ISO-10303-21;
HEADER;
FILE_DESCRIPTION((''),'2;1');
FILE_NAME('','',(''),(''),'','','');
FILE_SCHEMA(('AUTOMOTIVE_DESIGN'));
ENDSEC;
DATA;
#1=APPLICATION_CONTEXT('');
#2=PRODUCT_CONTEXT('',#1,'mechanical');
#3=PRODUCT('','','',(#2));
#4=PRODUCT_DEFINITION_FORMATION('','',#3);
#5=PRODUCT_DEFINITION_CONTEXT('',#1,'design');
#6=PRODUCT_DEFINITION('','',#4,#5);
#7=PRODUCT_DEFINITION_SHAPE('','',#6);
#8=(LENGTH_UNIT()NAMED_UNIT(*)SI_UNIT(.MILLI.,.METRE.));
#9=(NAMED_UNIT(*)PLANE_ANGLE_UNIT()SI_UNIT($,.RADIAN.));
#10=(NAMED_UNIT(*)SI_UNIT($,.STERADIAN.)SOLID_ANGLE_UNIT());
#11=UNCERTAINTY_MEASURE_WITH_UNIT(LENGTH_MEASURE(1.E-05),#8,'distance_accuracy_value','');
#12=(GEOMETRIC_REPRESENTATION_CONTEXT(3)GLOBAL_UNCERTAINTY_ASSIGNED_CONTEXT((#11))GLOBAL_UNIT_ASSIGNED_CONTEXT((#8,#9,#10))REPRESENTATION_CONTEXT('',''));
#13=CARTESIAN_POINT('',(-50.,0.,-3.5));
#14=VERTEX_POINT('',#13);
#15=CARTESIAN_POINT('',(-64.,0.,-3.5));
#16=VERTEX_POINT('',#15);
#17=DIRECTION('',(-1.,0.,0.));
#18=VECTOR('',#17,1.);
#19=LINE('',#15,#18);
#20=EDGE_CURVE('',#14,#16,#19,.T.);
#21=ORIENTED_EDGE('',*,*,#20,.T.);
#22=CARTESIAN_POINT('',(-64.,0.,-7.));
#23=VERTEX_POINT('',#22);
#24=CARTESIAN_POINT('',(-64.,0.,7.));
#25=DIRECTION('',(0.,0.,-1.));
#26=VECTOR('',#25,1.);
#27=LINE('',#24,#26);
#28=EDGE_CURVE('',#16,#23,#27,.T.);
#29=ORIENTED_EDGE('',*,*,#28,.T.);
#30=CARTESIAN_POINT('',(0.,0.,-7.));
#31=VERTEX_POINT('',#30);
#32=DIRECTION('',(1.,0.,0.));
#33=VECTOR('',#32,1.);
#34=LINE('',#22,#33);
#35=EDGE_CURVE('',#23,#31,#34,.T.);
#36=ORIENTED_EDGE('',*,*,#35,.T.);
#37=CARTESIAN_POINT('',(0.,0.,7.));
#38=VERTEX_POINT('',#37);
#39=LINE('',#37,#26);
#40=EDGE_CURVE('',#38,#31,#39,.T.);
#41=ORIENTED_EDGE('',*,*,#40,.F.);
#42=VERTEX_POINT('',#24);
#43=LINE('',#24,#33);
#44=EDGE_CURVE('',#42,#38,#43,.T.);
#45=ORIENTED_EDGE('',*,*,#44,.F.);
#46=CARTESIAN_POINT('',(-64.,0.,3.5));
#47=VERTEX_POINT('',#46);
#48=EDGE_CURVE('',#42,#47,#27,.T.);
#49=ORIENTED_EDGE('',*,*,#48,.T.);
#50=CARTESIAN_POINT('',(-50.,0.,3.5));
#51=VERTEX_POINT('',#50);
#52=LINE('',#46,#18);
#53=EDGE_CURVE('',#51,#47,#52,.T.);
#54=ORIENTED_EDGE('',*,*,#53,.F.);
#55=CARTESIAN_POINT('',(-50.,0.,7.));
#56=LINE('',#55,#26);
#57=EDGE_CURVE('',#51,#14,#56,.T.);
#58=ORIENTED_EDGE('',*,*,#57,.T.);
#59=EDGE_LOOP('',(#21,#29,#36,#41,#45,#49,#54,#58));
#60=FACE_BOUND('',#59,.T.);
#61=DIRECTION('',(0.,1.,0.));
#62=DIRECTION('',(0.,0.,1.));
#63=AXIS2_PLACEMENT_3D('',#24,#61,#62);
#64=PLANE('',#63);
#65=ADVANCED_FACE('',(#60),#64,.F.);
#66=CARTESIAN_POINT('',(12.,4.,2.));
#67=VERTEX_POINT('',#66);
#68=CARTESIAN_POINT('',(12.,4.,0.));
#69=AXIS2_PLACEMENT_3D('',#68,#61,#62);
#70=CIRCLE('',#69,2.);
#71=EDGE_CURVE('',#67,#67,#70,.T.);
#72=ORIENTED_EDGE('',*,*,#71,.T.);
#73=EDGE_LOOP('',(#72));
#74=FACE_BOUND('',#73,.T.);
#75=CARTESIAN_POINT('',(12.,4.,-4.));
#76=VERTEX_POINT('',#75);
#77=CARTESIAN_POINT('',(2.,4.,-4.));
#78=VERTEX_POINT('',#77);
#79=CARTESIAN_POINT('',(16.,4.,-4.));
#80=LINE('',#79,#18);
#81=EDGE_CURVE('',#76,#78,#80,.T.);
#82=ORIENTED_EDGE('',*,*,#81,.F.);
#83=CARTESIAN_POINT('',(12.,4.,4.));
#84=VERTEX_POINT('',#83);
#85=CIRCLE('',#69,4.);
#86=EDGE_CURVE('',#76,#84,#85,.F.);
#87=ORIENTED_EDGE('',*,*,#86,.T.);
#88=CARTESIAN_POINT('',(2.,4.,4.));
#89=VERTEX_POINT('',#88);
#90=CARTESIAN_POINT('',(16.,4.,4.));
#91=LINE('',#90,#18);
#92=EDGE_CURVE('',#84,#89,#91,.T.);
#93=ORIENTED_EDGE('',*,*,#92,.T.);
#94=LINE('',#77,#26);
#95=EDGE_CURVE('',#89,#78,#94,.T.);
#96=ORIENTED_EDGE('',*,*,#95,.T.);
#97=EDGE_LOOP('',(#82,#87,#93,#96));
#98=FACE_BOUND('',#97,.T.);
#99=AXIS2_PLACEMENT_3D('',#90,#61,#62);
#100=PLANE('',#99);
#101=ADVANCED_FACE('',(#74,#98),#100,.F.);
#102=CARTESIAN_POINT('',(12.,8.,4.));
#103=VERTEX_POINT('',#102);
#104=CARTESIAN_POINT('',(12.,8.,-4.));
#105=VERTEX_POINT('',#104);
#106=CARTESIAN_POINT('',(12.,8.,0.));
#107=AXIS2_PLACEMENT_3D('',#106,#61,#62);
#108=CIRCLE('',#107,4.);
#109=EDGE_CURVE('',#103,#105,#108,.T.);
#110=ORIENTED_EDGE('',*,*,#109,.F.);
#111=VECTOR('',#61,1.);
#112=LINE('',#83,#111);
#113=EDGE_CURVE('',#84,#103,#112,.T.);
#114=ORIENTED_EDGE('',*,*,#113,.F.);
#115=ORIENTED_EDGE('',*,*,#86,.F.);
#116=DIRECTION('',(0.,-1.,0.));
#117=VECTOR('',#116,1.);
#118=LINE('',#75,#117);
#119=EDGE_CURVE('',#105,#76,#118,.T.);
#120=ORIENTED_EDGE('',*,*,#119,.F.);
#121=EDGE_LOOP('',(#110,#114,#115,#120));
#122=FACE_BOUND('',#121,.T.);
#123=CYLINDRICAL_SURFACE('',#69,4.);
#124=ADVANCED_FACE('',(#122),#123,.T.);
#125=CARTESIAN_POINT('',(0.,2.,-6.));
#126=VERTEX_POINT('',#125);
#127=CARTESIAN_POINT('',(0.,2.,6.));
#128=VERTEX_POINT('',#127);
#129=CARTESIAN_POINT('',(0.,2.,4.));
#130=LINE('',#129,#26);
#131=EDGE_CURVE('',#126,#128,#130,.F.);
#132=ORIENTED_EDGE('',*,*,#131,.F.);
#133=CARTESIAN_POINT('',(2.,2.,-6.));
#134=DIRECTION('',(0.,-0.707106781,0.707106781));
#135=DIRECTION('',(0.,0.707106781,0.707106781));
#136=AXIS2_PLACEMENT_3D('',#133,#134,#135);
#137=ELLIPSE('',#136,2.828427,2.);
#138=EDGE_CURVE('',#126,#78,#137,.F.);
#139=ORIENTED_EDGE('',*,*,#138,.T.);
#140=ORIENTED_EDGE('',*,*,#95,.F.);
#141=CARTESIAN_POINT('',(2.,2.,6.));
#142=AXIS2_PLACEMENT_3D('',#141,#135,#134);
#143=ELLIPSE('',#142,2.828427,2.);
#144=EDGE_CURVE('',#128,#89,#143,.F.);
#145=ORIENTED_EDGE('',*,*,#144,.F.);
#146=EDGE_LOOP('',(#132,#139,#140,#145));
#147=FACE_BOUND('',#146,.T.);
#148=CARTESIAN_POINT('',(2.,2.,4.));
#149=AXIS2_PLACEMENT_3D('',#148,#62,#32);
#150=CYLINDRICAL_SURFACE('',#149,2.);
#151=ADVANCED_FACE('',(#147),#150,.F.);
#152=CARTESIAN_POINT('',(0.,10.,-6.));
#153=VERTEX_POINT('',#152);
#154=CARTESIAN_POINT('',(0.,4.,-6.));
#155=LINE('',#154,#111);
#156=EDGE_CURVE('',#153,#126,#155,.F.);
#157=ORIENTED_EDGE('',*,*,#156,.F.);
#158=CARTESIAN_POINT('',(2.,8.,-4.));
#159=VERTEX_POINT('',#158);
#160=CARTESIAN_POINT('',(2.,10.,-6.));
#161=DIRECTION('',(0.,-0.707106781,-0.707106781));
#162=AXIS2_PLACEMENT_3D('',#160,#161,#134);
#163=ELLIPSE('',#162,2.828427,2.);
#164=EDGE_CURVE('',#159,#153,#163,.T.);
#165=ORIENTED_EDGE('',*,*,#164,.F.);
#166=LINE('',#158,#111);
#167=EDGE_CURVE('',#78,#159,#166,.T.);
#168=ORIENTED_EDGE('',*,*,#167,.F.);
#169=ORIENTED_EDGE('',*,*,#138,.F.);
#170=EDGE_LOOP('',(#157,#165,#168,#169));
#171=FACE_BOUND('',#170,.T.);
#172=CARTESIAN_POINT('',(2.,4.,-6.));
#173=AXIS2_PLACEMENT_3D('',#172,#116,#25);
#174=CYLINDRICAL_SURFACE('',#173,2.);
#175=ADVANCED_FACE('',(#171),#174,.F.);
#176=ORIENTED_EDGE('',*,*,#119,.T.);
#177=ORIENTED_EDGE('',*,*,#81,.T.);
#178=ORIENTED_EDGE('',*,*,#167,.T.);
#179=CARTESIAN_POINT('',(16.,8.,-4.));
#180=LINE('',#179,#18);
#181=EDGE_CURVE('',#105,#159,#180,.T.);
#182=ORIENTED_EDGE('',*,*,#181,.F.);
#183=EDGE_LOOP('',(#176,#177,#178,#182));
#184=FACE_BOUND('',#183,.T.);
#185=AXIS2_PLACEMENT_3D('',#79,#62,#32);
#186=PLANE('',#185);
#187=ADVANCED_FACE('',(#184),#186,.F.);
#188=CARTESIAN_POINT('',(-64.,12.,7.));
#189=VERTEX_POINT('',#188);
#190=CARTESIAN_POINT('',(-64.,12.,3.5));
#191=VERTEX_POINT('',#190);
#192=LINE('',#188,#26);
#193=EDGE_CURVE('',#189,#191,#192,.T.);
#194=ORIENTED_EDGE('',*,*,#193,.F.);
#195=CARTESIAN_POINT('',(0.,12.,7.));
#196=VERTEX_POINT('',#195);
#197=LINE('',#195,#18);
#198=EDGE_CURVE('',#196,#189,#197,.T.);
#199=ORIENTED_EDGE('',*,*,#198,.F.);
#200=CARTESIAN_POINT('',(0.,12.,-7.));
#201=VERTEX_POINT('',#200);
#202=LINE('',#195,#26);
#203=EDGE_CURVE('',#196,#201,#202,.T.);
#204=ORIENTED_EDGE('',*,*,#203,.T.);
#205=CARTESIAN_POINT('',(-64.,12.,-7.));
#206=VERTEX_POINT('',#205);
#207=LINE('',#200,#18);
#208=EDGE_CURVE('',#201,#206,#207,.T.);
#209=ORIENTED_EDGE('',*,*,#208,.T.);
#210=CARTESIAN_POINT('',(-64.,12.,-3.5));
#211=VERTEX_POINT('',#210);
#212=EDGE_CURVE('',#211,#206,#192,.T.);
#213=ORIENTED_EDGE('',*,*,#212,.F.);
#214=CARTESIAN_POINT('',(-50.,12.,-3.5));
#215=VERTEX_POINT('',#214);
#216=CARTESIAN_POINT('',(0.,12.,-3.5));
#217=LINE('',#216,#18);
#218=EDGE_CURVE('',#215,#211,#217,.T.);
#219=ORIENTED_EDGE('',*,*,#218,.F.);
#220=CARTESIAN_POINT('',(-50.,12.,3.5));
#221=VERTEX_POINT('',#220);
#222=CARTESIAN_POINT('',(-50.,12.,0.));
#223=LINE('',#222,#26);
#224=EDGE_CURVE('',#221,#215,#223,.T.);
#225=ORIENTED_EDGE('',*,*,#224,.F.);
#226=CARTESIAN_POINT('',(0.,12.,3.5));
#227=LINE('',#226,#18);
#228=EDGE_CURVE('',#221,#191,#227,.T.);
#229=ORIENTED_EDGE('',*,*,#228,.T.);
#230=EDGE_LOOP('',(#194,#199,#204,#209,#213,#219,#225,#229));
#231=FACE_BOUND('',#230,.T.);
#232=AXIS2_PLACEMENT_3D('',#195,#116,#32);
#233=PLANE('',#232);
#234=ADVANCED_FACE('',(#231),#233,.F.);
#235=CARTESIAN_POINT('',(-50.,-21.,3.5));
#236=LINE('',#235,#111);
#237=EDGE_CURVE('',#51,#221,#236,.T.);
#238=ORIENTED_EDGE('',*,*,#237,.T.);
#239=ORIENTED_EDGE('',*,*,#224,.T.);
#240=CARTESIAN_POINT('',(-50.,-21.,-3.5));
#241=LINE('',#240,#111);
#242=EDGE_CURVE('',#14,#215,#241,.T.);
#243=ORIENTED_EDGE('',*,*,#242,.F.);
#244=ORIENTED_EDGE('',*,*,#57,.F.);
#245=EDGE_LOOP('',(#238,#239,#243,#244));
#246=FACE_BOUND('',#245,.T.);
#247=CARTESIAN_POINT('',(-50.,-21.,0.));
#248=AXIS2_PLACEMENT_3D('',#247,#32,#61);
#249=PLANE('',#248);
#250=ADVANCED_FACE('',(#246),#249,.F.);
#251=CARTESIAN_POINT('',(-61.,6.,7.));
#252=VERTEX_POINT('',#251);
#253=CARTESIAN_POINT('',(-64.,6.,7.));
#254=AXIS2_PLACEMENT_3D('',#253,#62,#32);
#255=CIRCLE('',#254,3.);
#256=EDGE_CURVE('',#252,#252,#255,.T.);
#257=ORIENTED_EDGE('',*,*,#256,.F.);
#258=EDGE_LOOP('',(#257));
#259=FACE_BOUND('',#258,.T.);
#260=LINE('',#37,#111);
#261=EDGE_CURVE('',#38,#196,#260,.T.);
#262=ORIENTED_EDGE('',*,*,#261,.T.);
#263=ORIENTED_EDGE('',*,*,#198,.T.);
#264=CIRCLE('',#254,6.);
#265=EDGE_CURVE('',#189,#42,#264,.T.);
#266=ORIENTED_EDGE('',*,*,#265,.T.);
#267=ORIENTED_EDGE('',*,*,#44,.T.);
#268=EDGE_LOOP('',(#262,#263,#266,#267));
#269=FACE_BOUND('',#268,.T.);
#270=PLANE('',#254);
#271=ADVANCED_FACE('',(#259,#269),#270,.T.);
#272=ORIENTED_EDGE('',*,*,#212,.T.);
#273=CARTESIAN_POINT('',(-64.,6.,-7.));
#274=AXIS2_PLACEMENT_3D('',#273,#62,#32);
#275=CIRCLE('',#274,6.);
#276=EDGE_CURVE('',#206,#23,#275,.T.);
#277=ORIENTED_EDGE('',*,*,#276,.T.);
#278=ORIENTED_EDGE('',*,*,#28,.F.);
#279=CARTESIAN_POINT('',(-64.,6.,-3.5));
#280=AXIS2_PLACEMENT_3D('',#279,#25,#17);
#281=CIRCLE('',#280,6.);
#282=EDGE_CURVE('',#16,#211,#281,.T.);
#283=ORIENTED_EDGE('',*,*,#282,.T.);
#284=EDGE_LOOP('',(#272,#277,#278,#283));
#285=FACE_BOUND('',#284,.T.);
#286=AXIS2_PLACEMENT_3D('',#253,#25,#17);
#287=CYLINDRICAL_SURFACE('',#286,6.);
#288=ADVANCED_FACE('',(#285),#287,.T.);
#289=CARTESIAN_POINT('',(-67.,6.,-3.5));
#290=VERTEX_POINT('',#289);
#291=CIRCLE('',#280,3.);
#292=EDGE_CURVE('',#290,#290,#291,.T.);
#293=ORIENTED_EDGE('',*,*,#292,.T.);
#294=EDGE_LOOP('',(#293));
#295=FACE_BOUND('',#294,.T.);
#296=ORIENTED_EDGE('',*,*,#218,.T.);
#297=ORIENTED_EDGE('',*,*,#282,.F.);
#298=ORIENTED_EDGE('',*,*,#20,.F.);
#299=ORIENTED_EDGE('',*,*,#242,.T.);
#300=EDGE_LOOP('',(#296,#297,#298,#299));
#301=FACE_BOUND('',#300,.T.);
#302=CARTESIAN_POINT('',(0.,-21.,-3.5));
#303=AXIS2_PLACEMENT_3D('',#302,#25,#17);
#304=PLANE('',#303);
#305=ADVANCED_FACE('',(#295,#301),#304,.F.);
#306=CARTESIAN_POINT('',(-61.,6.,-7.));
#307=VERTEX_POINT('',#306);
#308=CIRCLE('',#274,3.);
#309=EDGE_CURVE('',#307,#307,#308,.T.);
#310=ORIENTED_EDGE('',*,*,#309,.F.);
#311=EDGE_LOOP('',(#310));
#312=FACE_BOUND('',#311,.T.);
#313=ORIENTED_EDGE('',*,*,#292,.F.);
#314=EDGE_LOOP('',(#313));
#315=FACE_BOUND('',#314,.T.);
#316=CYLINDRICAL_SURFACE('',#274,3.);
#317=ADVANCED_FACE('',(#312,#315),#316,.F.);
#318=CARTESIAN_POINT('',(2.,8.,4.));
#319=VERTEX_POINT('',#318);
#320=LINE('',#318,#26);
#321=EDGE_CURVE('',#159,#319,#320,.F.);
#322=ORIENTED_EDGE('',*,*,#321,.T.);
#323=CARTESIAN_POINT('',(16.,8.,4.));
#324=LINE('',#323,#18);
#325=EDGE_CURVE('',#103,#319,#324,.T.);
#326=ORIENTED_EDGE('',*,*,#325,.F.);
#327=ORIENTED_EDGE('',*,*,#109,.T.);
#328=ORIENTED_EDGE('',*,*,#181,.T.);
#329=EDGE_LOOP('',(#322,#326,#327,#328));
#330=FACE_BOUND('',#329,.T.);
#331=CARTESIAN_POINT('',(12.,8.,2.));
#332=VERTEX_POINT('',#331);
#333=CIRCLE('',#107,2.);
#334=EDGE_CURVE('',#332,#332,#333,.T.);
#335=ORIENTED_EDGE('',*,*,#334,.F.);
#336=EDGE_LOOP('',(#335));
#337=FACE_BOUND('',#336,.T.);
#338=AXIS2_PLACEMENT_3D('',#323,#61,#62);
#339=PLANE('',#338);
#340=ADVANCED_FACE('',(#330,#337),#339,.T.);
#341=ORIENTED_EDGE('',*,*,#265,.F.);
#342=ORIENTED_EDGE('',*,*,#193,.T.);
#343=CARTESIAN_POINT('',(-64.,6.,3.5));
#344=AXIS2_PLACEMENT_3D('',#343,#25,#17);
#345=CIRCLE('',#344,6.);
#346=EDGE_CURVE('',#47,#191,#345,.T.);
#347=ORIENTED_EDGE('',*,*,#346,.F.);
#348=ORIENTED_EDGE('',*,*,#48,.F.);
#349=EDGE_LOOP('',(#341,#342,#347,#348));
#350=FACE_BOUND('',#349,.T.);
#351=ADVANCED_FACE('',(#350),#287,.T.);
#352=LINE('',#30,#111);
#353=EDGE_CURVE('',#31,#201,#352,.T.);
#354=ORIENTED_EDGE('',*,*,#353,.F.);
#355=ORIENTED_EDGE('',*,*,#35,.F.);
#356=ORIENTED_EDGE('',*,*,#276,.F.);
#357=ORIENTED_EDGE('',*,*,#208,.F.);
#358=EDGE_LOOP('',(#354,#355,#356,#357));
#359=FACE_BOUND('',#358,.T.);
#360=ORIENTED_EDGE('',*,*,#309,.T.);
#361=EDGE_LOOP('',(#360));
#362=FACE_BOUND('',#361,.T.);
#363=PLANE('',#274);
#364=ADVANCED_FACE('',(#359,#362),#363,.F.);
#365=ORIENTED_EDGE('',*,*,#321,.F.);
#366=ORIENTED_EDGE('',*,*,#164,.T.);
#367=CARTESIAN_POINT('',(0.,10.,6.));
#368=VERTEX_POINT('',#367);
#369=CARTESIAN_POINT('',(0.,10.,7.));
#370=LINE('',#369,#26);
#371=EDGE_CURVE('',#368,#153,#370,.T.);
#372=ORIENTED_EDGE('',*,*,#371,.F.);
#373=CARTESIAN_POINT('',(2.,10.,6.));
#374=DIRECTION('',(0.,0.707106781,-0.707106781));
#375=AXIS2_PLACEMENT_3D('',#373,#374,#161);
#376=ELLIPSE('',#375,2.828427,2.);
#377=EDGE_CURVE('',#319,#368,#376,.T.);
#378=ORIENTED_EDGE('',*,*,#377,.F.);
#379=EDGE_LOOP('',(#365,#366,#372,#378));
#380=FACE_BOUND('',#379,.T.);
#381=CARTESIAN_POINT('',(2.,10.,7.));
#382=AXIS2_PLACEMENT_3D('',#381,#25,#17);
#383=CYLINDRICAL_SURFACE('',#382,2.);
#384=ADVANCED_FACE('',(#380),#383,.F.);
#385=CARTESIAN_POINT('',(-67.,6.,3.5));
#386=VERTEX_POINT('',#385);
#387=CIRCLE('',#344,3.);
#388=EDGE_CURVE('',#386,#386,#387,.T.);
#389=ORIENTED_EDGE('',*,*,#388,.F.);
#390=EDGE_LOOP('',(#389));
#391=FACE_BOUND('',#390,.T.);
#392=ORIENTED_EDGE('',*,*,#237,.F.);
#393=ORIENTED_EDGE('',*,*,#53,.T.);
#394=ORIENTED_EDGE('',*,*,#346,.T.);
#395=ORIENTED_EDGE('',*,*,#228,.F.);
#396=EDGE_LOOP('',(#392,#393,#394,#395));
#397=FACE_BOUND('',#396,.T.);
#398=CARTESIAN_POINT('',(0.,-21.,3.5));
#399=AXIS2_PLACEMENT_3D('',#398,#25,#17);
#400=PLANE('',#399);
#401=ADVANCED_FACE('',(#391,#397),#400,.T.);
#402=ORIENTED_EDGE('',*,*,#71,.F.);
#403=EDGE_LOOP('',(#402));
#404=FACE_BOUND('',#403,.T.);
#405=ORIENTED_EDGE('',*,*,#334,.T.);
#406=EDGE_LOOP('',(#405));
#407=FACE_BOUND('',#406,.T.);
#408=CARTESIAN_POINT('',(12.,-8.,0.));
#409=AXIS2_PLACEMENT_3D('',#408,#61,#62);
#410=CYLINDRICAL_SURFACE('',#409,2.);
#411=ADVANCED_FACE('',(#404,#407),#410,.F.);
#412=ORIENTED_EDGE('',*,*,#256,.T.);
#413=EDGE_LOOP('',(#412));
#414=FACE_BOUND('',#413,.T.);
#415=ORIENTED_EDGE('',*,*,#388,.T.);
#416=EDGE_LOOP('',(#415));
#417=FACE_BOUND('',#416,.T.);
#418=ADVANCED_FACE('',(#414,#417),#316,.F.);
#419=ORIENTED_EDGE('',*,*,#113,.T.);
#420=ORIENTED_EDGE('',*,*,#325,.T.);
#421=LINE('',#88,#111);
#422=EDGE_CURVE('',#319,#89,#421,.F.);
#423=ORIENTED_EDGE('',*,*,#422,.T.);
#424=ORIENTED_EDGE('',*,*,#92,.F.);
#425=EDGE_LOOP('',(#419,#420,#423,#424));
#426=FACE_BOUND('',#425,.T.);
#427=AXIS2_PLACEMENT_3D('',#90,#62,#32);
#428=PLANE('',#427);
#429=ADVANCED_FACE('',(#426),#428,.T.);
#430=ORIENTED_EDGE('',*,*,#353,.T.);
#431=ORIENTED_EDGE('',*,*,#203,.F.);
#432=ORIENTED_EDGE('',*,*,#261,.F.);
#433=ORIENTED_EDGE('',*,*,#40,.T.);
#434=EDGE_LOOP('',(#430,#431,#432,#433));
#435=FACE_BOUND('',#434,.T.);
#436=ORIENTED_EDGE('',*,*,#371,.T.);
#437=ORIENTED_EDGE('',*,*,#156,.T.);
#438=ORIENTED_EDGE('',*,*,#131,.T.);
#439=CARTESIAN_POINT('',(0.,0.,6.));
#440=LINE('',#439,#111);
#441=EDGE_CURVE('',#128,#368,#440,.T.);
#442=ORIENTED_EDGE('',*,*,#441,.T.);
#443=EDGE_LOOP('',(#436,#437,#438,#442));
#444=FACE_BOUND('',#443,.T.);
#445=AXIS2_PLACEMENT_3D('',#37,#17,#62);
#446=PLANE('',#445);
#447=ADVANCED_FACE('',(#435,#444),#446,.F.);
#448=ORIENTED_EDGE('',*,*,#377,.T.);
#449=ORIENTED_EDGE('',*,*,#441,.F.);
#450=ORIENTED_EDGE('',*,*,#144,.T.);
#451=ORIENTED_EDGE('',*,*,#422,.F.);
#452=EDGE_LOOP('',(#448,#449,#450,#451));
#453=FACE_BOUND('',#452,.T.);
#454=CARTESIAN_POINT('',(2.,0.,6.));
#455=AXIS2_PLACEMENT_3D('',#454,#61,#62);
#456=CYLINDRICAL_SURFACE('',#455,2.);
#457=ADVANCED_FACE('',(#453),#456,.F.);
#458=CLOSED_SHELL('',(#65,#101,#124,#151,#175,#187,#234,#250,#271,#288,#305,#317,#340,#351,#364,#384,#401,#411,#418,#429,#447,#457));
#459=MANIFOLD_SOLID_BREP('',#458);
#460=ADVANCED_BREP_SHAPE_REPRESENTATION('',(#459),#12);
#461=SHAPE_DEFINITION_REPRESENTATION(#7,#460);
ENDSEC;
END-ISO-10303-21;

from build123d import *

# Parameters (mm, degrees)
BOSS_EXTRUDE1_DEPTH     = 7
SKETCH2_W               = 8
SKETCH2_H               = 4
BOSS_EXTRUDE2_DEPTH     = 16
FILLET1_RADIUS          = 4
FILLET1_LENGTH          = 4
SKETCH3_R               = 2
CUT_EXTRUDE1_DEPTH      = 16
SKETCH5_W               = 20
SKETCH5_H               = 7
SKETCH5_W_2             = 14
SKETCH5_W_3             = 6
CUT_EXTRUDE2_DEPTH      = 33
CUT_EXTRUDE3_DEPTH      = 73.387844283
CUT_EXTRUDE3_DEPTH_BACK = 73.387844283
SKETCH6_R               = 3
FILLET2_R               = 2


with BuildPart() as part:
    # Sketch1 → Boss-Extrude1 (new, symmetric)
    with BuildSketch(Plane.XY):
        with BuildLine():
            Line((0, 0), (0, 12))
            Line((0, 12), (-64, 12))
            ThreePointArc((-64, 12), (-70, 6), (-64, 0))
            Line((-64, 0), (0, 0))
        make_face()
    extrude(amount=BOSS_EXTRUDE1_DEPTH, both=True)

    # Sketch2 → Boss-Extrude2 (add)
    with BuildSketch(Plane(origin=(0, 0, 0), x_dir=(0, 0, -1), z_dir=(1, 0, 0))):
        with Locations((0, 6)):
            Rectangle(SKETCH2_W, SKETCH2_H)
    extrude(amount=BOSS_EXTRUDE2_DEPTH)

    # Fillet1: full round fillet: the end face becomes a half cylinder, R = half its width
    fillet1_face = Plane((16, 6, 0), x_dir=(0, -1, 0), z_dir=(1, 0, 0))  # on the end face: x along it, z out of the body
    fillet1_slab = fillet1_face.offset(-FILLET1_RADIUS / 2) * Box(FILLET1_LENGTH, 2 * FILLET1_RADIUS, FILLET1_RADIUS, mode=Mode.PRIVATE)  # the body's end, R deep
    fillet1_round = Plane((12, 6, 0), x_dir=(1, 0, 0), z_dir=(0, -1, 0)) * Cylinder(FILLET1_RADIUS, FILLET1_LENGTH, mode=Mode.PRIVATE)  # its axis R under the face
    add(fillet1_slab - fillet1_round, mode=Mode.SUBTRACT)

    # Sketch3 → Cut-Extrude1 (cut)
    with BuildSketch(Plane(origin=(0, 8, 0), x_dir=(1, 0, 0), z_dir=(0, 1, 0))):
        with Locations(Location((12, 0, 0), (0, 0, 270))):
            Circle(SKETCH3_R)
    extrude(amount=-CUT_EXTRUDE1_DEPTH, mode=Mode.SUBTRACT)

    # Sketch5 → Cut-Extrude2 (cut)
    with BuildSketch(Plane(origin=(0, 12, 0), x_dir=(1, 0, 0), z_dir=(0, 1, 0))):
        with Locations((-80, 0)):
            Rectangle(SKETCH5_W, SKETCH5_H)
        with Locations((-57, 0)):
            Rectangle(SKETCH5_W_2, SKETCH5_H)
        with Locations((-67, 0)):
            Rectangle(SKETCH5_W_3, SKETCH5_H)
    extrude(amount=-CUT_EXTRUDE2_DEPTH, mode=Mode.SUBTRACT)

    # Sketch6 → Cut-Extrude3 (cut, two sides: drawn at the far end of the back side and taken through both)
    with BuildSketch(Plane.XY.offset(7).offset(-CUT_EXTRUDE3_DEPTH_BACK)):
        with Locations((-64, 6)):
            Circle(SKETCH6_R)
    extrude(amount=CUT_EXTRUDE3_DEPTH + CUT_EXTRUDE3_DEPTH_BACK, mode=Mode.SUBTRACT)

    # Fillet2
    fillet2_edges = [part.edges().sort_by_distance(p)[0] for p in [
        (0, 4, 0),
        (0, 6, -4),
        (0, 8, 0),
        (0, 6, 4),
    ]]
    fillet(fillet2_edges, radius=FILLET2_R)


solid = part.part
